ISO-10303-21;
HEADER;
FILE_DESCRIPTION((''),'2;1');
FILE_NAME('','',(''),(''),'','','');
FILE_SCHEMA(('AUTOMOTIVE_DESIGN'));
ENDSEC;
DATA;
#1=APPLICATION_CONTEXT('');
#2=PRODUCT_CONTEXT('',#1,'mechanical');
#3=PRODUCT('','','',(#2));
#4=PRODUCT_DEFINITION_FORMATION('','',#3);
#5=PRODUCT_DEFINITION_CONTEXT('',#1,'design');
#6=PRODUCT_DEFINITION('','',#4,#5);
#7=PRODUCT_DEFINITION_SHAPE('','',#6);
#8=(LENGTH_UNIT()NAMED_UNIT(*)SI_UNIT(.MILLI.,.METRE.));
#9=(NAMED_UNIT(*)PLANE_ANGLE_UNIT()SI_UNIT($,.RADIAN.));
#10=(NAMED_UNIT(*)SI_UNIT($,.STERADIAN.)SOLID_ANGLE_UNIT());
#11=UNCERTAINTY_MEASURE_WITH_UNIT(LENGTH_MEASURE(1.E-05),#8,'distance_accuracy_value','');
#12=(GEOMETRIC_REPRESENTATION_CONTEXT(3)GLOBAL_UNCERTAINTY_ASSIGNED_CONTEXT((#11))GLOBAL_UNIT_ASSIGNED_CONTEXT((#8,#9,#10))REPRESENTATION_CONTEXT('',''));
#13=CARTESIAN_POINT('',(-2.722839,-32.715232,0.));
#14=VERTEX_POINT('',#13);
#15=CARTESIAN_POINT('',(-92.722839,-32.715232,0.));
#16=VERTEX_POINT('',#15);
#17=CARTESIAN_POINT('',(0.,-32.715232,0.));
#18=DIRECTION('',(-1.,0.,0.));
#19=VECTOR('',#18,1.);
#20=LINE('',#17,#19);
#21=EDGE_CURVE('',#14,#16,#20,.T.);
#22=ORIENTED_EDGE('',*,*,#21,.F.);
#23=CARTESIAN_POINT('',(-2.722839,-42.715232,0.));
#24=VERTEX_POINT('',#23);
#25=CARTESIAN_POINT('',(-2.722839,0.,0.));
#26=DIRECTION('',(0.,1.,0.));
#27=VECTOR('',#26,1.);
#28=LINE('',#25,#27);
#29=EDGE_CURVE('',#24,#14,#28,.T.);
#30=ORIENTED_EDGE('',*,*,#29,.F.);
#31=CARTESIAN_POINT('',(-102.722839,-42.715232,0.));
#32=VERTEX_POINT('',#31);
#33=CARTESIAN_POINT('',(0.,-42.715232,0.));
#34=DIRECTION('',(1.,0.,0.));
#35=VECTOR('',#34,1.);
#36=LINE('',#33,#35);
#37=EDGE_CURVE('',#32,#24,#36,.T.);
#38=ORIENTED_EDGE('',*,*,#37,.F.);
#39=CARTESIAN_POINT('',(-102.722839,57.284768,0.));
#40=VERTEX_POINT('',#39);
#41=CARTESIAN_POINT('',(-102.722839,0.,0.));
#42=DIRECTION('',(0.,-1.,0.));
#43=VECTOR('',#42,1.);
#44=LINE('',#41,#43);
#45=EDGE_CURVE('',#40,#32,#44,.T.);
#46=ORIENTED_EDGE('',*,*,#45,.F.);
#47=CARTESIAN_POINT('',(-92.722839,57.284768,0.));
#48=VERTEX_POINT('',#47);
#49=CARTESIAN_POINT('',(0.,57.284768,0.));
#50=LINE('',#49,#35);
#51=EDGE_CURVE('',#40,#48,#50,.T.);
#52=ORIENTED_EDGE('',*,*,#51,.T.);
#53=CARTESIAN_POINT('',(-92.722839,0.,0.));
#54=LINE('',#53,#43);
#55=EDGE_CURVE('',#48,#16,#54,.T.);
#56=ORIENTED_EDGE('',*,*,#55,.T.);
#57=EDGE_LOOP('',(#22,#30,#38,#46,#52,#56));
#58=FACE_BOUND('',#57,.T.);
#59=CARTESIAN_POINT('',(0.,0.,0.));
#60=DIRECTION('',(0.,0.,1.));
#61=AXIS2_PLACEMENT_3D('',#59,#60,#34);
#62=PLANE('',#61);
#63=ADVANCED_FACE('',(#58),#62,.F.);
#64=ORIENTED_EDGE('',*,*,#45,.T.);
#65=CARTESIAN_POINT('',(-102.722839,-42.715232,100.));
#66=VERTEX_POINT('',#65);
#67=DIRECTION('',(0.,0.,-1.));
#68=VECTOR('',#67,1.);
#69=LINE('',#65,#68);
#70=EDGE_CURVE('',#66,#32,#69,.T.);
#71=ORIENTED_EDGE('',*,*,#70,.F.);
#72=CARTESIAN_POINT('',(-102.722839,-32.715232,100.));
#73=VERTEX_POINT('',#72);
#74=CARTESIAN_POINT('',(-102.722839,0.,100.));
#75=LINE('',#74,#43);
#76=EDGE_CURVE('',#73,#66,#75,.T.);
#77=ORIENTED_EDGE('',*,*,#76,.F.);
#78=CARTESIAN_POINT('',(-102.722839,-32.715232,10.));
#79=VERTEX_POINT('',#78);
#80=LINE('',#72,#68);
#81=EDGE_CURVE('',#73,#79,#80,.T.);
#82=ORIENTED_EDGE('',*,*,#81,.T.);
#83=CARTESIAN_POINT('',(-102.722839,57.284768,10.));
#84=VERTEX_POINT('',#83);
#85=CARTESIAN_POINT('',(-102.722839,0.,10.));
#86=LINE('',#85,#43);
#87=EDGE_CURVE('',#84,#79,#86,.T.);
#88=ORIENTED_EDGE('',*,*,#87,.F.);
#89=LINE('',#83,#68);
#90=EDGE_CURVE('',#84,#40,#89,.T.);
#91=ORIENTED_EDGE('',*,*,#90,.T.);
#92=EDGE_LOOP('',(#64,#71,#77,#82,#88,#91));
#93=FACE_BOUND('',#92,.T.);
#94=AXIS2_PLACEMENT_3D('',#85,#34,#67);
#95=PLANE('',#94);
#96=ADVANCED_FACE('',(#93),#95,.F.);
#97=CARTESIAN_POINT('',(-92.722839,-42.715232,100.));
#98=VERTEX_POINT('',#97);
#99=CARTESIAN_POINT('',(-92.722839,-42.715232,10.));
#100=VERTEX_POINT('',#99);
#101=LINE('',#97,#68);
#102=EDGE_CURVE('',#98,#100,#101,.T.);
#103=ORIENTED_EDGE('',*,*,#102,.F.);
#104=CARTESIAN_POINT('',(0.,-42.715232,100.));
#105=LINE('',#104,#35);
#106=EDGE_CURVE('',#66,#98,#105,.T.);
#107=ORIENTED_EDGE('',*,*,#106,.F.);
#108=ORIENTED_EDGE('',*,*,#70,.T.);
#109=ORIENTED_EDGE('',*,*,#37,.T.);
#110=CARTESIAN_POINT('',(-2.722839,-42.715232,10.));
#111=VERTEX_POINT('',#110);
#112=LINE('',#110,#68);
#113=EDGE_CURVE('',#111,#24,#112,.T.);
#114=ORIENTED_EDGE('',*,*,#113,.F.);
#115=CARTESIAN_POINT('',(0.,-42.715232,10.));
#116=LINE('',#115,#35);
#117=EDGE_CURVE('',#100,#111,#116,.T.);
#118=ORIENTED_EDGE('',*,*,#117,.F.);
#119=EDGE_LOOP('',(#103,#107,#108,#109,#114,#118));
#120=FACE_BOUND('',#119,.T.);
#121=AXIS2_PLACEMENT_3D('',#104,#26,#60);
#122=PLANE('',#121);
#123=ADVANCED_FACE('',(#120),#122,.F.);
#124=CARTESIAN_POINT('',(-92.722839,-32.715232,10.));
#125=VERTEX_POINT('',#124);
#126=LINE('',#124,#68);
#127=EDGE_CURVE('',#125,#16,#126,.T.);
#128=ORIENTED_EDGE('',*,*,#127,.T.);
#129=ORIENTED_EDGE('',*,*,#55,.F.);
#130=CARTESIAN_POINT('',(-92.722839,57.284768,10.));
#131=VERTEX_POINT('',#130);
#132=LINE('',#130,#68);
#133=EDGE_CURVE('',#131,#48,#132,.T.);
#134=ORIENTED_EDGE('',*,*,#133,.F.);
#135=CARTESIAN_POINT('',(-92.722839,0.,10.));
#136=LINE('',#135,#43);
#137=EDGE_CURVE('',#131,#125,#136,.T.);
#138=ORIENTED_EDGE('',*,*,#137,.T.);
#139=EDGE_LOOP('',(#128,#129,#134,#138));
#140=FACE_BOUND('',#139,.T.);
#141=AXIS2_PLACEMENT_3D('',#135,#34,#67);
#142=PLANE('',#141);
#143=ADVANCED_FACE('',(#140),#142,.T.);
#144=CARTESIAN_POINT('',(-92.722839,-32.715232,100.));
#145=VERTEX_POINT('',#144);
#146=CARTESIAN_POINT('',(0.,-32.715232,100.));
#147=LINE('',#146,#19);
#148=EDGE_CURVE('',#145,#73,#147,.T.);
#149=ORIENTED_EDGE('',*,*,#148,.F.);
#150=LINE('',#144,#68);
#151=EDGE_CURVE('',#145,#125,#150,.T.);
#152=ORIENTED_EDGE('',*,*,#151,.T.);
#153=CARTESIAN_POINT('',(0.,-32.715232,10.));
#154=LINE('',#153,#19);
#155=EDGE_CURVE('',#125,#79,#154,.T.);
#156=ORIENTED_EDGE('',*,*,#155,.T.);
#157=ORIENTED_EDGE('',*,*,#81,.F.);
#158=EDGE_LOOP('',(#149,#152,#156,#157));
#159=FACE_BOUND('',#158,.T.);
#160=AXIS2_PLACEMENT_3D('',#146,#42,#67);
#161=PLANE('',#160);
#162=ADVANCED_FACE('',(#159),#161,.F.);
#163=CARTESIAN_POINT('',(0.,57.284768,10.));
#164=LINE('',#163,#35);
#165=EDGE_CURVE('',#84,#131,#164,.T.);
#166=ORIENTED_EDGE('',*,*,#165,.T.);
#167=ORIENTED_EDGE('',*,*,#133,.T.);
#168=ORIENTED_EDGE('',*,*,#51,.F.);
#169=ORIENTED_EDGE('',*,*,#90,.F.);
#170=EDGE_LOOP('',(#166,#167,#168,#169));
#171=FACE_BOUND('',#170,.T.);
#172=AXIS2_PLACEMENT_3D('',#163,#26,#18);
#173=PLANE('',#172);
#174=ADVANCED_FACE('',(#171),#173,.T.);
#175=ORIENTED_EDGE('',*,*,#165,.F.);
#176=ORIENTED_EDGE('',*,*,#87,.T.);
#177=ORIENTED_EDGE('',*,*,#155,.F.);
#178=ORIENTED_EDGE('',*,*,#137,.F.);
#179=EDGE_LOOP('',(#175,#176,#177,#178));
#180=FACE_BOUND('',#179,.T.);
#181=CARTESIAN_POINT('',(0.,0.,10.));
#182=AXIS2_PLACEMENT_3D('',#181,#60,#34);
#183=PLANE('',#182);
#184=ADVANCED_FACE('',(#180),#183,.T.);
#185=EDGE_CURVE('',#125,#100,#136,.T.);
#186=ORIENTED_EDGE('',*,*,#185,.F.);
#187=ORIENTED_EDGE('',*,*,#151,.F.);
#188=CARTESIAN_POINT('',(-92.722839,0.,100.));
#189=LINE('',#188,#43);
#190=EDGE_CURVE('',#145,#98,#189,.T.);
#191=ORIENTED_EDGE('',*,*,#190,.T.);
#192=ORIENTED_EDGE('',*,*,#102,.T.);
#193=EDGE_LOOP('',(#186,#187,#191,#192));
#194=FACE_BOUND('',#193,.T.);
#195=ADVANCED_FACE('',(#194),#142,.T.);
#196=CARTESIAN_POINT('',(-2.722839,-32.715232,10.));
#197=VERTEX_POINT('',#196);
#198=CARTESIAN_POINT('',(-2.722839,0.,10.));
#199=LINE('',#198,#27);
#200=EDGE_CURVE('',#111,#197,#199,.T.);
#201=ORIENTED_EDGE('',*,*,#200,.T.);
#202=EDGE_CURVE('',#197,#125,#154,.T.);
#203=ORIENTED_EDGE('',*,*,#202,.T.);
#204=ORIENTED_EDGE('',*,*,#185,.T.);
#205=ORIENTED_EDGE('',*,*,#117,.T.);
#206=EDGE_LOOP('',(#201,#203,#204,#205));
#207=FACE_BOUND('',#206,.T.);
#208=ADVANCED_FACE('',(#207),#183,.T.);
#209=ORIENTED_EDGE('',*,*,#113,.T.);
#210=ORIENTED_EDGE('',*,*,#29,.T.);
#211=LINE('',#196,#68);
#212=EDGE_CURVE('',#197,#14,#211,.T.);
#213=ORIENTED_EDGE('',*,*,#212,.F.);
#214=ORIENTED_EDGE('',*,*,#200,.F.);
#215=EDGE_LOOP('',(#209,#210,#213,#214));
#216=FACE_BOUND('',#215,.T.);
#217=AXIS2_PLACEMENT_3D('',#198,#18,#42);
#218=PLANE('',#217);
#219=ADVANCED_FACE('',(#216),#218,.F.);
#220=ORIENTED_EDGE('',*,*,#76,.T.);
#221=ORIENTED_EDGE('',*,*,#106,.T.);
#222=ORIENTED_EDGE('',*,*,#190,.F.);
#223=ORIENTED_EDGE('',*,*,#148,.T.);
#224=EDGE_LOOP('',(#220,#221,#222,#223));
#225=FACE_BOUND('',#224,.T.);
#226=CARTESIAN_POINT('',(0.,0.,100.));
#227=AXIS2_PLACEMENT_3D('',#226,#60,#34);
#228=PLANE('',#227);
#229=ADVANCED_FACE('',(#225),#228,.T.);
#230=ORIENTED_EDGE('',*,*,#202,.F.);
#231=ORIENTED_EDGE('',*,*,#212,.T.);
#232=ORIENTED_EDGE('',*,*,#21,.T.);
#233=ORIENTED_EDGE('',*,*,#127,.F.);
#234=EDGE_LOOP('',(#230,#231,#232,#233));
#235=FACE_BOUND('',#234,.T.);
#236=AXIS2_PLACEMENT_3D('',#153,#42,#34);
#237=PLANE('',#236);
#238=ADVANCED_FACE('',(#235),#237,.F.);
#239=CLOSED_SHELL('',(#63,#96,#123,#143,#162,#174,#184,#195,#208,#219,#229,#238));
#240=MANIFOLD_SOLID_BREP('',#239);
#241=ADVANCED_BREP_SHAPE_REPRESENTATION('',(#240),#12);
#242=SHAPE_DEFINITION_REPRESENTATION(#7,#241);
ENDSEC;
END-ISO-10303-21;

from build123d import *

# Parameters (mm, degrees)
SKETCH1_W             = 10
SKETCH1_H             = 90
BOSS_EXTRUDE1_DEPTH   = 10
SKETCH1_W_2           = 90
SKETCH1_H_2           = 10
BOSS_EXTRUDE1_2_DEPTH = 10
SKETCH1_4_W           = 10
SKETCH1_4_H           = 10
BOSS_EXTRUDE2_DEPTH   = 100


with BuildPart() as part:
    # Sketch1 → Boss-Extrude1 (new body)
    with BuildSketch(Plane.XY):
        with Locations((-97.722838733, 12.284768212)):
            Rectangle(SKETCH1_W, SKETCH1_H)
    extrude(amount=BOSS_EXTRUDE1_DEPTH)



with BuildPart() as body_2:
    # Sketch1 → Boss-Extrude1 2 (new body)
    with BuildSketch(Plane.XY):
        with Locations((-47.722838733, -37.715231788)):
            Rectangle(SKETCH1_W_2, SKETCH1_H_2)
    extrude(amount=BOSS_EXTRUDE1_2_DEPTH)


with BuildPart() as part_1:
    add(part.part)

    add(body_2.part)  # Boss-Extrude2 merges body 2
    # Sketch1<4> → Boss-Extrude2 (add)
    with BuildSketch(Plane.XY):
        with Locations((-97.722838733, -37.715231788)):
            Rectangle(SKETCH1_4_W, SKETCH1_4_H)
    extrude(amount=BOSS_EXTRUDE2_DEPTH)


solid = part_1.part
